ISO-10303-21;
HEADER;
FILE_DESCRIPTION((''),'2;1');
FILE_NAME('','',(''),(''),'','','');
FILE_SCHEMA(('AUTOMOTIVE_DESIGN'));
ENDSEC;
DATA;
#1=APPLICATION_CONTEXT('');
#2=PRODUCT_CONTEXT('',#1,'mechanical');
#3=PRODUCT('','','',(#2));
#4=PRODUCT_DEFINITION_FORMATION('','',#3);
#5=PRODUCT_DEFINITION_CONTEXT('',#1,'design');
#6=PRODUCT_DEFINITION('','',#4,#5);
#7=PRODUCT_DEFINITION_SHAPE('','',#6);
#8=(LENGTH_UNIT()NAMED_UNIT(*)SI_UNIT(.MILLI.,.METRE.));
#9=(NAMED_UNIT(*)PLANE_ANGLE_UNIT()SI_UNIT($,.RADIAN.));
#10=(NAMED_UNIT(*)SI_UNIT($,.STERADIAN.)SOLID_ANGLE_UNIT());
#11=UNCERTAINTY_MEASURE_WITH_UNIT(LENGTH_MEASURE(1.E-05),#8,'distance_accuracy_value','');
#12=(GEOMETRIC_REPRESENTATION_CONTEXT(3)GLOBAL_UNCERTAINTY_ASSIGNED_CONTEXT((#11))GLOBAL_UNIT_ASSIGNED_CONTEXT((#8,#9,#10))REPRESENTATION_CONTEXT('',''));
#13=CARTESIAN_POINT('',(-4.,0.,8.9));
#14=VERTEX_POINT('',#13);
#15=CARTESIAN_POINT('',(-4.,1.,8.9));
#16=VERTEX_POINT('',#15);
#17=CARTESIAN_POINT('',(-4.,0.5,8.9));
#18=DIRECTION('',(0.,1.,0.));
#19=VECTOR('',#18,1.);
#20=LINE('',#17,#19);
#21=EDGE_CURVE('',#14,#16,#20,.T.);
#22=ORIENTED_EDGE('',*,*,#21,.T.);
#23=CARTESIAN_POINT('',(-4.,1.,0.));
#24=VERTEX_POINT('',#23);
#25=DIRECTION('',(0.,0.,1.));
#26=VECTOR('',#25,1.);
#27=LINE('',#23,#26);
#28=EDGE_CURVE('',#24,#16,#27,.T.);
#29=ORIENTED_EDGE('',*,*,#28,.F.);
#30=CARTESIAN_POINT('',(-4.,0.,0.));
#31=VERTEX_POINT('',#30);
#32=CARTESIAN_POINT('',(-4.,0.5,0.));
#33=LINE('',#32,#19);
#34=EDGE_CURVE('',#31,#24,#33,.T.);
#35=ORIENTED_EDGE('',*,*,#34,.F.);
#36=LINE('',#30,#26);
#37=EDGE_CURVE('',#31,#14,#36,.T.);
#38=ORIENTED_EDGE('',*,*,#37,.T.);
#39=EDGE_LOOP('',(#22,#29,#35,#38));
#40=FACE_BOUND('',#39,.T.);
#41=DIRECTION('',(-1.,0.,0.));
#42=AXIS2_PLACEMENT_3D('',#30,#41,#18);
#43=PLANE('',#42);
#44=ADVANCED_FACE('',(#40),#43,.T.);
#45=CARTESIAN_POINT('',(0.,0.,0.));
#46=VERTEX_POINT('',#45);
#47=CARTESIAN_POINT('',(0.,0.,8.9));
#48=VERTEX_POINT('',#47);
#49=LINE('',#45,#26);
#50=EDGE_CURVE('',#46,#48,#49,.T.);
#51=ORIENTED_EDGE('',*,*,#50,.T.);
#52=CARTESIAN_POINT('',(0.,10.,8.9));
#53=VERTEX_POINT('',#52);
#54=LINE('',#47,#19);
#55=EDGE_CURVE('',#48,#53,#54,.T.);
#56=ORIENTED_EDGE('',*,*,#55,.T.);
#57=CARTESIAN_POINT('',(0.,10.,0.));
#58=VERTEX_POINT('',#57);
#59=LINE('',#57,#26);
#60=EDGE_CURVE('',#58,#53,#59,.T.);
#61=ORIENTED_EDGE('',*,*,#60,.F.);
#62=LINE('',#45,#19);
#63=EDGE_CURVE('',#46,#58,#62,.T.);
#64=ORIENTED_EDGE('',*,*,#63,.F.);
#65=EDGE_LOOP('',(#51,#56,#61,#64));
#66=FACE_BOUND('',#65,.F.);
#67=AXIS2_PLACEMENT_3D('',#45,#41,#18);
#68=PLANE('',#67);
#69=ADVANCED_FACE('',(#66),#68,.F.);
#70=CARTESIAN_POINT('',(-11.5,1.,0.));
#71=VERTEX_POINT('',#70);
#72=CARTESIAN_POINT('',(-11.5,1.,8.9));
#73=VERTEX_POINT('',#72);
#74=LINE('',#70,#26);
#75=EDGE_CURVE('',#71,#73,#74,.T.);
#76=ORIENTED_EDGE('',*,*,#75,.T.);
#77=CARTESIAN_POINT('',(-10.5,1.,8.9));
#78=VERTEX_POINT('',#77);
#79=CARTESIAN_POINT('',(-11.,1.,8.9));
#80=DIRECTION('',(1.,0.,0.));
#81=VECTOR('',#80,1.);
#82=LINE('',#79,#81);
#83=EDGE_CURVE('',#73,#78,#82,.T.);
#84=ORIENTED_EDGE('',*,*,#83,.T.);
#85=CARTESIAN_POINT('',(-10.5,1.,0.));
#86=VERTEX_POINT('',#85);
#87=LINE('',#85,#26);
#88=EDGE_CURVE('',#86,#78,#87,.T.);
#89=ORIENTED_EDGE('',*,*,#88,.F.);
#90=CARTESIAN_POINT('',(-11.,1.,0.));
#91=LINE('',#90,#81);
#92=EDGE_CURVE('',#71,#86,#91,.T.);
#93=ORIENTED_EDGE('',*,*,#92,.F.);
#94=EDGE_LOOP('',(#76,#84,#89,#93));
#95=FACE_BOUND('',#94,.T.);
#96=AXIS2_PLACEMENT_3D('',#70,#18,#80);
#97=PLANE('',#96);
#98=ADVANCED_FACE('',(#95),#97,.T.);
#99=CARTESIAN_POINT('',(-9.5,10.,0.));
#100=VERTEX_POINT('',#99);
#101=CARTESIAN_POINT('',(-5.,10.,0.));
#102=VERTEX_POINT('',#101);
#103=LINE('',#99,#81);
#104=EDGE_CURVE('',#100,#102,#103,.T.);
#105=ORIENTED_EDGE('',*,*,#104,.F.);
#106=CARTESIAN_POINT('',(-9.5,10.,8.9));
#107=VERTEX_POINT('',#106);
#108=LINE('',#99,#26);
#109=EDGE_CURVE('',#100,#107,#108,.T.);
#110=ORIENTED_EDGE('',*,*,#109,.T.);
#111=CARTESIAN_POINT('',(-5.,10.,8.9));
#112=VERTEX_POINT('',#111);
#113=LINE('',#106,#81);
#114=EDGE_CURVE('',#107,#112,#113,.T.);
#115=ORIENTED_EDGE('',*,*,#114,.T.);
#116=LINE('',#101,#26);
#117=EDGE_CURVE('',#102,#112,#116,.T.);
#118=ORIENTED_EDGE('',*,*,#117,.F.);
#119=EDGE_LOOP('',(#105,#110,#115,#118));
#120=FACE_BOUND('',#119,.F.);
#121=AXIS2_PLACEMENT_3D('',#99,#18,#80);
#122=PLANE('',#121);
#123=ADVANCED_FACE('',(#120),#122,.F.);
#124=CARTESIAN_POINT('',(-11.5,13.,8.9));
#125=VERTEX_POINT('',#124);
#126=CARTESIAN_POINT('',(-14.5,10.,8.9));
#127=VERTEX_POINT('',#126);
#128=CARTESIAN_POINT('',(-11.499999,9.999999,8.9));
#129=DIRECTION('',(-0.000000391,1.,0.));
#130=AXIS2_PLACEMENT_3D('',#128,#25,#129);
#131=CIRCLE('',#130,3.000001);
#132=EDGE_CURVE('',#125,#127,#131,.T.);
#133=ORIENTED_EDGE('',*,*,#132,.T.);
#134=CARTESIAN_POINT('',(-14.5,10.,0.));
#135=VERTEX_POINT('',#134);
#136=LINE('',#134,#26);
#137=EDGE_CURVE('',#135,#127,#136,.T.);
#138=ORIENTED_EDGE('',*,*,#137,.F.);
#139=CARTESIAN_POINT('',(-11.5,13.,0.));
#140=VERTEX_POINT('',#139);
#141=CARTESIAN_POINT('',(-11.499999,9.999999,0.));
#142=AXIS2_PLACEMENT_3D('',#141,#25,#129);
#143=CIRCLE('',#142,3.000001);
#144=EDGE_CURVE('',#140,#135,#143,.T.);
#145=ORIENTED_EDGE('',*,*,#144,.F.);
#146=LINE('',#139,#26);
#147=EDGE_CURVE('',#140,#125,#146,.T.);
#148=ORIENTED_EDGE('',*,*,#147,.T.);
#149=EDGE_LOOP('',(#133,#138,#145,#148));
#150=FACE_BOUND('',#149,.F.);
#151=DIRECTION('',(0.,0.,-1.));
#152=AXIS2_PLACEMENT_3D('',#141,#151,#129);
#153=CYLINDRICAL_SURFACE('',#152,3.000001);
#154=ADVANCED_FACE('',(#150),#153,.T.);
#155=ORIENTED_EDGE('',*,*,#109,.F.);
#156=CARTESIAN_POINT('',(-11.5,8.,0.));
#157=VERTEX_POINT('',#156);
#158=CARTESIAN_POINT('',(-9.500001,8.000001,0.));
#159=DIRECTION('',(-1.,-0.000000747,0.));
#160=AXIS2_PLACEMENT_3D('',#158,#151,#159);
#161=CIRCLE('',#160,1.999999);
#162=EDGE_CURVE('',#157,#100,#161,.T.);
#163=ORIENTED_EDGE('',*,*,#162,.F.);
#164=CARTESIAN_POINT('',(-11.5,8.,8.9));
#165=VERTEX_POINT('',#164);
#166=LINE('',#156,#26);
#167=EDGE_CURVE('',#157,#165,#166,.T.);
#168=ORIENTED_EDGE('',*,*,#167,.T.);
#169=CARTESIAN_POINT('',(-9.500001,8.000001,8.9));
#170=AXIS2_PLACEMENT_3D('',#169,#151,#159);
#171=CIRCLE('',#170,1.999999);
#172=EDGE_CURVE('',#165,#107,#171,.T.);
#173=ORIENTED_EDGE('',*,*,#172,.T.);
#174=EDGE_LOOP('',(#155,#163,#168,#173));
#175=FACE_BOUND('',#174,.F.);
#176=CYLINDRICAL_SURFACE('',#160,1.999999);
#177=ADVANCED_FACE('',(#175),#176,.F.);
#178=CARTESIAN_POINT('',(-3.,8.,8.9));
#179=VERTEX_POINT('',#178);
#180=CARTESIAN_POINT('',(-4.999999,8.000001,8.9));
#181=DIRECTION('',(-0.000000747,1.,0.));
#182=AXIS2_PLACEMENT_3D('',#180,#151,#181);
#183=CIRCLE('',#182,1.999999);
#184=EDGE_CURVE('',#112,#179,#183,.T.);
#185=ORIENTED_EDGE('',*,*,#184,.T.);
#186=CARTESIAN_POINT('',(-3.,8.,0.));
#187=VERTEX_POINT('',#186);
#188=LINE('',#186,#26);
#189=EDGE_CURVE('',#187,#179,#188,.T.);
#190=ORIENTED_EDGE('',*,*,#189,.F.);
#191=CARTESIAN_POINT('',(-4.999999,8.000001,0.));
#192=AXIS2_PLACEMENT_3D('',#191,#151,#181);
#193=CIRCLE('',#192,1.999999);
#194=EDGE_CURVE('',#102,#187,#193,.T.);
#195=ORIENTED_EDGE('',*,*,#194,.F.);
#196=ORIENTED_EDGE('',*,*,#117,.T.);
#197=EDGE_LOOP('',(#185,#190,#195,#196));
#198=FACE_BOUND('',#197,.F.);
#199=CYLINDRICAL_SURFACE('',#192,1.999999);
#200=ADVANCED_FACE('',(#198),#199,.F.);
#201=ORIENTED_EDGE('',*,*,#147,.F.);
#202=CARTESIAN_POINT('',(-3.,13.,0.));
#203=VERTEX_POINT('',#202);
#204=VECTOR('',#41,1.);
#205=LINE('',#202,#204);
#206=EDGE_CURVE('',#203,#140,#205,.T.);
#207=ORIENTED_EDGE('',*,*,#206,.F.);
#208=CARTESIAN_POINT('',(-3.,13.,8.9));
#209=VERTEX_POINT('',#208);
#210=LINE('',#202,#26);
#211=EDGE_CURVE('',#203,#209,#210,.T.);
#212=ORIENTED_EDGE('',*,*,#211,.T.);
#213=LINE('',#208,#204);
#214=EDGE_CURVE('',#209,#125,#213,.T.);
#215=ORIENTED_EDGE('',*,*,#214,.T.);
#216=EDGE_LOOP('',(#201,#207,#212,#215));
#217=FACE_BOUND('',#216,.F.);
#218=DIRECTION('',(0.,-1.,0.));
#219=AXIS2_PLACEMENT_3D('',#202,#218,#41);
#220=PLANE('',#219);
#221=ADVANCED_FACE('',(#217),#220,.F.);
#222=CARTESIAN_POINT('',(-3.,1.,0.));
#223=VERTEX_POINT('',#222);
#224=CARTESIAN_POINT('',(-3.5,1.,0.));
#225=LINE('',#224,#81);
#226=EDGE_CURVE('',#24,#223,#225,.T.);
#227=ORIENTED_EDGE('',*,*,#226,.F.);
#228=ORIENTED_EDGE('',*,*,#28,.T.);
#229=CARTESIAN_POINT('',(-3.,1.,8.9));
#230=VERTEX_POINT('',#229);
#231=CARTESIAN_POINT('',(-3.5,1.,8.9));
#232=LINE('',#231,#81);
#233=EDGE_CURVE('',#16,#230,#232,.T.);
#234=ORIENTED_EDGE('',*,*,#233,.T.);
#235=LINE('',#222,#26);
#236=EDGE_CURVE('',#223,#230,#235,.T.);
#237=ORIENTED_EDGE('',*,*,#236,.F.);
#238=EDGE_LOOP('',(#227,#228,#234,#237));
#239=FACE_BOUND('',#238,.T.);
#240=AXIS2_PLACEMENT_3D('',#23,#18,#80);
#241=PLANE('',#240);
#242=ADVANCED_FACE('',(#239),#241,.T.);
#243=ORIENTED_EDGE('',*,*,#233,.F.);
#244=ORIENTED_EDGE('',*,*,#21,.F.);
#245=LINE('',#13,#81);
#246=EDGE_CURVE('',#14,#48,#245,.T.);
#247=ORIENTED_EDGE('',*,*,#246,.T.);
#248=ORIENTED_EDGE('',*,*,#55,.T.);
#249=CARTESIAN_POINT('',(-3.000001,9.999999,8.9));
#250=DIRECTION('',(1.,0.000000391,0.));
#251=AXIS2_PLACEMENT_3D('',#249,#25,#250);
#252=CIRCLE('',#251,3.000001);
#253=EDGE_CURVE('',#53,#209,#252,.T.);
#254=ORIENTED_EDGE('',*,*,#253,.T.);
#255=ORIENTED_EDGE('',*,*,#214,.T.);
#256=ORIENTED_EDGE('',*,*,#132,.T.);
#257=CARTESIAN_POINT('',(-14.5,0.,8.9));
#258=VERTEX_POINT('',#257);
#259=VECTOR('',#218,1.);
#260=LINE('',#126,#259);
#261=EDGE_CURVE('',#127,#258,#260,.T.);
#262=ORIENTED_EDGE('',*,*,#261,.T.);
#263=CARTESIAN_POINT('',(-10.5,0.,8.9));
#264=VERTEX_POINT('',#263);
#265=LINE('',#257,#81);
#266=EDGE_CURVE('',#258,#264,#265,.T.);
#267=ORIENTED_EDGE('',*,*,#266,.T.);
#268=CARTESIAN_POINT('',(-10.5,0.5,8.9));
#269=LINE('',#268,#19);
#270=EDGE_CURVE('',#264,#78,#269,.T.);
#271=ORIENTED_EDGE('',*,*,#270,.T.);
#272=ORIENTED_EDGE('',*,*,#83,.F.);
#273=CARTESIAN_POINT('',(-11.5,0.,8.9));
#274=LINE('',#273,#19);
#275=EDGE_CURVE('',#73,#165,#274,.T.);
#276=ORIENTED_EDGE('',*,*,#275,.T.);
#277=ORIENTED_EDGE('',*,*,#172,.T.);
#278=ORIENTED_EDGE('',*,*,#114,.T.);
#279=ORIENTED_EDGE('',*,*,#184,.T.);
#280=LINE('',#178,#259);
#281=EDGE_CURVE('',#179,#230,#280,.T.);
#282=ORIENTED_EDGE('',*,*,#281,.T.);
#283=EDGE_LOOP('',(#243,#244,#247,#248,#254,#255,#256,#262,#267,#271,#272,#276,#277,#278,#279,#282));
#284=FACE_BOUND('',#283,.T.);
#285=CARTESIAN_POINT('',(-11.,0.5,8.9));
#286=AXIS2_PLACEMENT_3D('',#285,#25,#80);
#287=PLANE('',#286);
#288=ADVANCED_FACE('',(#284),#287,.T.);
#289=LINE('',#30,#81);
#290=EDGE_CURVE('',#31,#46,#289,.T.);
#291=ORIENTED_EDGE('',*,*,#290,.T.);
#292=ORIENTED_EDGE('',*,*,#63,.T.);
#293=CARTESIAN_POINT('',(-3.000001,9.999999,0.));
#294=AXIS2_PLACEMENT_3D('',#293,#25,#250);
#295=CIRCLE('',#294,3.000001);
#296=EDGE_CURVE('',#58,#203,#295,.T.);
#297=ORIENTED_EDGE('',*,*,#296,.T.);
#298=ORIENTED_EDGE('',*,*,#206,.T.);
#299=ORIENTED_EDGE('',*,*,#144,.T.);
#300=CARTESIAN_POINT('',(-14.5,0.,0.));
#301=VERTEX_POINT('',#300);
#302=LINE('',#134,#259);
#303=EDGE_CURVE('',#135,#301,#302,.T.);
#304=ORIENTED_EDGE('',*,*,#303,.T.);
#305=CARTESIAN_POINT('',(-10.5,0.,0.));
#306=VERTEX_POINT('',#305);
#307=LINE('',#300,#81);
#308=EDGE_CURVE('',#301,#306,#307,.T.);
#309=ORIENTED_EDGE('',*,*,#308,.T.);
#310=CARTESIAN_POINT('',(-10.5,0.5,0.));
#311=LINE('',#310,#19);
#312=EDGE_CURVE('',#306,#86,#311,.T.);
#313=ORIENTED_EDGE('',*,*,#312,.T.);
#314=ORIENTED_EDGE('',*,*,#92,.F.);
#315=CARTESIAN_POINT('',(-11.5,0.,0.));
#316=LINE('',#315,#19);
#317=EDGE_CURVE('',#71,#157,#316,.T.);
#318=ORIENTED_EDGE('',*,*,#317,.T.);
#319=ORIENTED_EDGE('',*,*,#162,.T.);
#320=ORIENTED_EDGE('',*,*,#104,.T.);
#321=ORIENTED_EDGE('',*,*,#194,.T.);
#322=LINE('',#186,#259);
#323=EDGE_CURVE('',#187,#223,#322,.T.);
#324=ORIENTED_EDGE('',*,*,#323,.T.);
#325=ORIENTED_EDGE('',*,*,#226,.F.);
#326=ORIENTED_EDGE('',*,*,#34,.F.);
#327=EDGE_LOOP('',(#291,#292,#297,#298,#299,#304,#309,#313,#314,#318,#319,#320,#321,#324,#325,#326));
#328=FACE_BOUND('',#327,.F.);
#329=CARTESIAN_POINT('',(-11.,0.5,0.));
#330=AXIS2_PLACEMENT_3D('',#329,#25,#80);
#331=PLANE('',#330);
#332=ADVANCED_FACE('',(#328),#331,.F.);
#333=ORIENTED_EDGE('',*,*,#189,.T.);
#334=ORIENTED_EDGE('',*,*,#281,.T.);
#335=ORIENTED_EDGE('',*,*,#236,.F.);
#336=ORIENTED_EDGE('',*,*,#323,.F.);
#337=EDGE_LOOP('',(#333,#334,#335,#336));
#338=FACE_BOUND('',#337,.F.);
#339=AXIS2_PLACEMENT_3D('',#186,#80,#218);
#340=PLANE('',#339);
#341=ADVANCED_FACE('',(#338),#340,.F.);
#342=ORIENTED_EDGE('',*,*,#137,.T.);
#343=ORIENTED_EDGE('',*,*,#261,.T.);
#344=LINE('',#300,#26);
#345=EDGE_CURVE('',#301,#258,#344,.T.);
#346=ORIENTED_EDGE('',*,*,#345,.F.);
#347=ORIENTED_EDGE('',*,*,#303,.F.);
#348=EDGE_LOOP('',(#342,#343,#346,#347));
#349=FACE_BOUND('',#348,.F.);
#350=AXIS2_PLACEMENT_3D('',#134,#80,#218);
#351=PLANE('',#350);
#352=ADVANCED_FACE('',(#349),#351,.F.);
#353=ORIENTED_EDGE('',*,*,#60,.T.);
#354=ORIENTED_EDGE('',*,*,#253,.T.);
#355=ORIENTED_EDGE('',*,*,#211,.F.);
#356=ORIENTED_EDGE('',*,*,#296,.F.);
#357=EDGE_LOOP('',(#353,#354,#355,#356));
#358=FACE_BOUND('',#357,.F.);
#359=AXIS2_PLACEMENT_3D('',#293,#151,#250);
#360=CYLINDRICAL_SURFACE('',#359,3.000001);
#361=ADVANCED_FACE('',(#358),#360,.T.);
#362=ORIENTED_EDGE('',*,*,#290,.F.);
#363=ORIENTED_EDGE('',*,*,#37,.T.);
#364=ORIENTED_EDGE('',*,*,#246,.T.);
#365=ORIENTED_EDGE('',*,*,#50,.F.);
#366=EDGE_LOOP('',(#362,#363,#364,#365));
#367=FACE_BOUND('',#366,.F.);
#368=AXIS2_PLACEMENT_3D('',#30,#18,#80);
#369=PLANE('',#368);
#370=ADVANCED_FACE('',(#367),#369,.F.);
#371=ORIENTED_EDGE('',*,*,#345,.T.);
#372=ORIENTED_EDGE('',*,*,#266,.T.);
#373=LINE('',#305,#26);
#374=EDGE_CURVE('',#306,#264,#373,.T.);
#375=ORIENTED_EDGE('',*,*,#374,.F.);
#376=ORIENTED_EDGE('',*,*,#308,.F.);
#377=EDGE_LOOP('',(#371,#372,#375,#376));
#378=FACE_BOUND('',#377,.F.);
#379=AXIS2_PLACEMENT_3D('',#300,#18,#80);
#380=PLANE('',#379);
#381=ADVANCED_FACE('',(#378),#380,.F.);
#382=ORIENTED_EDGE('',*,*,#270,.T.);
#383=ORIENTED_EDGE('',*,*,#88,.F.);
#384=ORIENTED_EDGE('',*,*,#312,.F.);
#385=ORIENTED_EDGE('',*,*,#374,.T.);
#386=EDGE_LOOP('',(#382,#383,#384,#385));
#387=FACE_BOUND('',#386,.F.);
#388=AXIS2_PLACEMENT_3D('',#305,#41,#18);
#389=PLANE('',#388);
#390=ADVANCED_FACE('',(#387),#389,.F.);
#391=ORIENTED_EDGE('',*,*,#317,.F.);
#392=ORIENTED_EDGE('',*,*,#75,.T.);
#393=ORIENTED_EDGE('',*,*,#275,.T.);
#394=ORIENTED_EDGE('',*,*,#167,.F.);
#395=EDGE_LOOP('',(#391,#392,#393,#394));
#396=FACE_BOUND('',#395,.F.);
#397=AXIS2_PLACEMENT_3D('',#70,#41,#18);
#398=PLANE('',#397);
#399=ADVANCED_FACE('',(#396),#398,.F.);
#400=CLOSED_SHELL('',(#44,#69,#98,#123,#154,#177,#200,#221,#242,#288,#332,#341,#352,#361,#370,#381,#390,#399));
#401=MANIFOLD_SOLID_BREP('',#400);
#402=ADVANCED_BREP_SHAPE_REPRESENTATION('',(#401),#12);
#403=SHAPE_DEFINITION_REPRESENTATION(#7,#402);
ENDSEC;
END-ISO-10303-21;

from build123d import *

# Parameters (mm, degrees)
F0_W     = 1
F0_H     = 1
F1_DEPTH = 8.9


with BuildPart() as f1:
    # F0 (on Top) → F1 (new body)
    with BuildSketch(Plane.XY):
        with Locations((-11, 0.5)):
            Rectangle(F0_W, F0_H)
        with BuildLine():
            Line((-14.5, 10), (-14.5, 0))
            Line((-14.5, 0), (-11.5, 0))
            Line((-11.5, 0), (-11.5, 1))
            Line((-11.5, 1), (-11.5, 8))
            ThreePointArc((-11.5, 8), (-10.914214, 9.414214), (-9.5, 10))
            Line((-9.5, 10), (-5, 10))
            ThreePointArc((-5, 10), (-3.585786, 9.414214), (-3, 8))
            Line((-3, 8), (-3, 1))
            Line((-3, 1), (-3, 0))
            Line((-3, 0), (0, 0))
            Line((0, 0), (0, 10))
            ThreePointArc((0, 10), (-0.87868, 12.12132), (-3, 13))
            Line((-3, 13), (-11.5, 13))
            ThreePointArc((-11.5, 13), (-13.62132, 12.12132), (-14.5, 10))
        make_face()
        with Locations((-3.5, 0.5)):
            Rectangle(F0_W, F0_H)
    extrude(amount=F1_DEPTH)


solid = f1.part
